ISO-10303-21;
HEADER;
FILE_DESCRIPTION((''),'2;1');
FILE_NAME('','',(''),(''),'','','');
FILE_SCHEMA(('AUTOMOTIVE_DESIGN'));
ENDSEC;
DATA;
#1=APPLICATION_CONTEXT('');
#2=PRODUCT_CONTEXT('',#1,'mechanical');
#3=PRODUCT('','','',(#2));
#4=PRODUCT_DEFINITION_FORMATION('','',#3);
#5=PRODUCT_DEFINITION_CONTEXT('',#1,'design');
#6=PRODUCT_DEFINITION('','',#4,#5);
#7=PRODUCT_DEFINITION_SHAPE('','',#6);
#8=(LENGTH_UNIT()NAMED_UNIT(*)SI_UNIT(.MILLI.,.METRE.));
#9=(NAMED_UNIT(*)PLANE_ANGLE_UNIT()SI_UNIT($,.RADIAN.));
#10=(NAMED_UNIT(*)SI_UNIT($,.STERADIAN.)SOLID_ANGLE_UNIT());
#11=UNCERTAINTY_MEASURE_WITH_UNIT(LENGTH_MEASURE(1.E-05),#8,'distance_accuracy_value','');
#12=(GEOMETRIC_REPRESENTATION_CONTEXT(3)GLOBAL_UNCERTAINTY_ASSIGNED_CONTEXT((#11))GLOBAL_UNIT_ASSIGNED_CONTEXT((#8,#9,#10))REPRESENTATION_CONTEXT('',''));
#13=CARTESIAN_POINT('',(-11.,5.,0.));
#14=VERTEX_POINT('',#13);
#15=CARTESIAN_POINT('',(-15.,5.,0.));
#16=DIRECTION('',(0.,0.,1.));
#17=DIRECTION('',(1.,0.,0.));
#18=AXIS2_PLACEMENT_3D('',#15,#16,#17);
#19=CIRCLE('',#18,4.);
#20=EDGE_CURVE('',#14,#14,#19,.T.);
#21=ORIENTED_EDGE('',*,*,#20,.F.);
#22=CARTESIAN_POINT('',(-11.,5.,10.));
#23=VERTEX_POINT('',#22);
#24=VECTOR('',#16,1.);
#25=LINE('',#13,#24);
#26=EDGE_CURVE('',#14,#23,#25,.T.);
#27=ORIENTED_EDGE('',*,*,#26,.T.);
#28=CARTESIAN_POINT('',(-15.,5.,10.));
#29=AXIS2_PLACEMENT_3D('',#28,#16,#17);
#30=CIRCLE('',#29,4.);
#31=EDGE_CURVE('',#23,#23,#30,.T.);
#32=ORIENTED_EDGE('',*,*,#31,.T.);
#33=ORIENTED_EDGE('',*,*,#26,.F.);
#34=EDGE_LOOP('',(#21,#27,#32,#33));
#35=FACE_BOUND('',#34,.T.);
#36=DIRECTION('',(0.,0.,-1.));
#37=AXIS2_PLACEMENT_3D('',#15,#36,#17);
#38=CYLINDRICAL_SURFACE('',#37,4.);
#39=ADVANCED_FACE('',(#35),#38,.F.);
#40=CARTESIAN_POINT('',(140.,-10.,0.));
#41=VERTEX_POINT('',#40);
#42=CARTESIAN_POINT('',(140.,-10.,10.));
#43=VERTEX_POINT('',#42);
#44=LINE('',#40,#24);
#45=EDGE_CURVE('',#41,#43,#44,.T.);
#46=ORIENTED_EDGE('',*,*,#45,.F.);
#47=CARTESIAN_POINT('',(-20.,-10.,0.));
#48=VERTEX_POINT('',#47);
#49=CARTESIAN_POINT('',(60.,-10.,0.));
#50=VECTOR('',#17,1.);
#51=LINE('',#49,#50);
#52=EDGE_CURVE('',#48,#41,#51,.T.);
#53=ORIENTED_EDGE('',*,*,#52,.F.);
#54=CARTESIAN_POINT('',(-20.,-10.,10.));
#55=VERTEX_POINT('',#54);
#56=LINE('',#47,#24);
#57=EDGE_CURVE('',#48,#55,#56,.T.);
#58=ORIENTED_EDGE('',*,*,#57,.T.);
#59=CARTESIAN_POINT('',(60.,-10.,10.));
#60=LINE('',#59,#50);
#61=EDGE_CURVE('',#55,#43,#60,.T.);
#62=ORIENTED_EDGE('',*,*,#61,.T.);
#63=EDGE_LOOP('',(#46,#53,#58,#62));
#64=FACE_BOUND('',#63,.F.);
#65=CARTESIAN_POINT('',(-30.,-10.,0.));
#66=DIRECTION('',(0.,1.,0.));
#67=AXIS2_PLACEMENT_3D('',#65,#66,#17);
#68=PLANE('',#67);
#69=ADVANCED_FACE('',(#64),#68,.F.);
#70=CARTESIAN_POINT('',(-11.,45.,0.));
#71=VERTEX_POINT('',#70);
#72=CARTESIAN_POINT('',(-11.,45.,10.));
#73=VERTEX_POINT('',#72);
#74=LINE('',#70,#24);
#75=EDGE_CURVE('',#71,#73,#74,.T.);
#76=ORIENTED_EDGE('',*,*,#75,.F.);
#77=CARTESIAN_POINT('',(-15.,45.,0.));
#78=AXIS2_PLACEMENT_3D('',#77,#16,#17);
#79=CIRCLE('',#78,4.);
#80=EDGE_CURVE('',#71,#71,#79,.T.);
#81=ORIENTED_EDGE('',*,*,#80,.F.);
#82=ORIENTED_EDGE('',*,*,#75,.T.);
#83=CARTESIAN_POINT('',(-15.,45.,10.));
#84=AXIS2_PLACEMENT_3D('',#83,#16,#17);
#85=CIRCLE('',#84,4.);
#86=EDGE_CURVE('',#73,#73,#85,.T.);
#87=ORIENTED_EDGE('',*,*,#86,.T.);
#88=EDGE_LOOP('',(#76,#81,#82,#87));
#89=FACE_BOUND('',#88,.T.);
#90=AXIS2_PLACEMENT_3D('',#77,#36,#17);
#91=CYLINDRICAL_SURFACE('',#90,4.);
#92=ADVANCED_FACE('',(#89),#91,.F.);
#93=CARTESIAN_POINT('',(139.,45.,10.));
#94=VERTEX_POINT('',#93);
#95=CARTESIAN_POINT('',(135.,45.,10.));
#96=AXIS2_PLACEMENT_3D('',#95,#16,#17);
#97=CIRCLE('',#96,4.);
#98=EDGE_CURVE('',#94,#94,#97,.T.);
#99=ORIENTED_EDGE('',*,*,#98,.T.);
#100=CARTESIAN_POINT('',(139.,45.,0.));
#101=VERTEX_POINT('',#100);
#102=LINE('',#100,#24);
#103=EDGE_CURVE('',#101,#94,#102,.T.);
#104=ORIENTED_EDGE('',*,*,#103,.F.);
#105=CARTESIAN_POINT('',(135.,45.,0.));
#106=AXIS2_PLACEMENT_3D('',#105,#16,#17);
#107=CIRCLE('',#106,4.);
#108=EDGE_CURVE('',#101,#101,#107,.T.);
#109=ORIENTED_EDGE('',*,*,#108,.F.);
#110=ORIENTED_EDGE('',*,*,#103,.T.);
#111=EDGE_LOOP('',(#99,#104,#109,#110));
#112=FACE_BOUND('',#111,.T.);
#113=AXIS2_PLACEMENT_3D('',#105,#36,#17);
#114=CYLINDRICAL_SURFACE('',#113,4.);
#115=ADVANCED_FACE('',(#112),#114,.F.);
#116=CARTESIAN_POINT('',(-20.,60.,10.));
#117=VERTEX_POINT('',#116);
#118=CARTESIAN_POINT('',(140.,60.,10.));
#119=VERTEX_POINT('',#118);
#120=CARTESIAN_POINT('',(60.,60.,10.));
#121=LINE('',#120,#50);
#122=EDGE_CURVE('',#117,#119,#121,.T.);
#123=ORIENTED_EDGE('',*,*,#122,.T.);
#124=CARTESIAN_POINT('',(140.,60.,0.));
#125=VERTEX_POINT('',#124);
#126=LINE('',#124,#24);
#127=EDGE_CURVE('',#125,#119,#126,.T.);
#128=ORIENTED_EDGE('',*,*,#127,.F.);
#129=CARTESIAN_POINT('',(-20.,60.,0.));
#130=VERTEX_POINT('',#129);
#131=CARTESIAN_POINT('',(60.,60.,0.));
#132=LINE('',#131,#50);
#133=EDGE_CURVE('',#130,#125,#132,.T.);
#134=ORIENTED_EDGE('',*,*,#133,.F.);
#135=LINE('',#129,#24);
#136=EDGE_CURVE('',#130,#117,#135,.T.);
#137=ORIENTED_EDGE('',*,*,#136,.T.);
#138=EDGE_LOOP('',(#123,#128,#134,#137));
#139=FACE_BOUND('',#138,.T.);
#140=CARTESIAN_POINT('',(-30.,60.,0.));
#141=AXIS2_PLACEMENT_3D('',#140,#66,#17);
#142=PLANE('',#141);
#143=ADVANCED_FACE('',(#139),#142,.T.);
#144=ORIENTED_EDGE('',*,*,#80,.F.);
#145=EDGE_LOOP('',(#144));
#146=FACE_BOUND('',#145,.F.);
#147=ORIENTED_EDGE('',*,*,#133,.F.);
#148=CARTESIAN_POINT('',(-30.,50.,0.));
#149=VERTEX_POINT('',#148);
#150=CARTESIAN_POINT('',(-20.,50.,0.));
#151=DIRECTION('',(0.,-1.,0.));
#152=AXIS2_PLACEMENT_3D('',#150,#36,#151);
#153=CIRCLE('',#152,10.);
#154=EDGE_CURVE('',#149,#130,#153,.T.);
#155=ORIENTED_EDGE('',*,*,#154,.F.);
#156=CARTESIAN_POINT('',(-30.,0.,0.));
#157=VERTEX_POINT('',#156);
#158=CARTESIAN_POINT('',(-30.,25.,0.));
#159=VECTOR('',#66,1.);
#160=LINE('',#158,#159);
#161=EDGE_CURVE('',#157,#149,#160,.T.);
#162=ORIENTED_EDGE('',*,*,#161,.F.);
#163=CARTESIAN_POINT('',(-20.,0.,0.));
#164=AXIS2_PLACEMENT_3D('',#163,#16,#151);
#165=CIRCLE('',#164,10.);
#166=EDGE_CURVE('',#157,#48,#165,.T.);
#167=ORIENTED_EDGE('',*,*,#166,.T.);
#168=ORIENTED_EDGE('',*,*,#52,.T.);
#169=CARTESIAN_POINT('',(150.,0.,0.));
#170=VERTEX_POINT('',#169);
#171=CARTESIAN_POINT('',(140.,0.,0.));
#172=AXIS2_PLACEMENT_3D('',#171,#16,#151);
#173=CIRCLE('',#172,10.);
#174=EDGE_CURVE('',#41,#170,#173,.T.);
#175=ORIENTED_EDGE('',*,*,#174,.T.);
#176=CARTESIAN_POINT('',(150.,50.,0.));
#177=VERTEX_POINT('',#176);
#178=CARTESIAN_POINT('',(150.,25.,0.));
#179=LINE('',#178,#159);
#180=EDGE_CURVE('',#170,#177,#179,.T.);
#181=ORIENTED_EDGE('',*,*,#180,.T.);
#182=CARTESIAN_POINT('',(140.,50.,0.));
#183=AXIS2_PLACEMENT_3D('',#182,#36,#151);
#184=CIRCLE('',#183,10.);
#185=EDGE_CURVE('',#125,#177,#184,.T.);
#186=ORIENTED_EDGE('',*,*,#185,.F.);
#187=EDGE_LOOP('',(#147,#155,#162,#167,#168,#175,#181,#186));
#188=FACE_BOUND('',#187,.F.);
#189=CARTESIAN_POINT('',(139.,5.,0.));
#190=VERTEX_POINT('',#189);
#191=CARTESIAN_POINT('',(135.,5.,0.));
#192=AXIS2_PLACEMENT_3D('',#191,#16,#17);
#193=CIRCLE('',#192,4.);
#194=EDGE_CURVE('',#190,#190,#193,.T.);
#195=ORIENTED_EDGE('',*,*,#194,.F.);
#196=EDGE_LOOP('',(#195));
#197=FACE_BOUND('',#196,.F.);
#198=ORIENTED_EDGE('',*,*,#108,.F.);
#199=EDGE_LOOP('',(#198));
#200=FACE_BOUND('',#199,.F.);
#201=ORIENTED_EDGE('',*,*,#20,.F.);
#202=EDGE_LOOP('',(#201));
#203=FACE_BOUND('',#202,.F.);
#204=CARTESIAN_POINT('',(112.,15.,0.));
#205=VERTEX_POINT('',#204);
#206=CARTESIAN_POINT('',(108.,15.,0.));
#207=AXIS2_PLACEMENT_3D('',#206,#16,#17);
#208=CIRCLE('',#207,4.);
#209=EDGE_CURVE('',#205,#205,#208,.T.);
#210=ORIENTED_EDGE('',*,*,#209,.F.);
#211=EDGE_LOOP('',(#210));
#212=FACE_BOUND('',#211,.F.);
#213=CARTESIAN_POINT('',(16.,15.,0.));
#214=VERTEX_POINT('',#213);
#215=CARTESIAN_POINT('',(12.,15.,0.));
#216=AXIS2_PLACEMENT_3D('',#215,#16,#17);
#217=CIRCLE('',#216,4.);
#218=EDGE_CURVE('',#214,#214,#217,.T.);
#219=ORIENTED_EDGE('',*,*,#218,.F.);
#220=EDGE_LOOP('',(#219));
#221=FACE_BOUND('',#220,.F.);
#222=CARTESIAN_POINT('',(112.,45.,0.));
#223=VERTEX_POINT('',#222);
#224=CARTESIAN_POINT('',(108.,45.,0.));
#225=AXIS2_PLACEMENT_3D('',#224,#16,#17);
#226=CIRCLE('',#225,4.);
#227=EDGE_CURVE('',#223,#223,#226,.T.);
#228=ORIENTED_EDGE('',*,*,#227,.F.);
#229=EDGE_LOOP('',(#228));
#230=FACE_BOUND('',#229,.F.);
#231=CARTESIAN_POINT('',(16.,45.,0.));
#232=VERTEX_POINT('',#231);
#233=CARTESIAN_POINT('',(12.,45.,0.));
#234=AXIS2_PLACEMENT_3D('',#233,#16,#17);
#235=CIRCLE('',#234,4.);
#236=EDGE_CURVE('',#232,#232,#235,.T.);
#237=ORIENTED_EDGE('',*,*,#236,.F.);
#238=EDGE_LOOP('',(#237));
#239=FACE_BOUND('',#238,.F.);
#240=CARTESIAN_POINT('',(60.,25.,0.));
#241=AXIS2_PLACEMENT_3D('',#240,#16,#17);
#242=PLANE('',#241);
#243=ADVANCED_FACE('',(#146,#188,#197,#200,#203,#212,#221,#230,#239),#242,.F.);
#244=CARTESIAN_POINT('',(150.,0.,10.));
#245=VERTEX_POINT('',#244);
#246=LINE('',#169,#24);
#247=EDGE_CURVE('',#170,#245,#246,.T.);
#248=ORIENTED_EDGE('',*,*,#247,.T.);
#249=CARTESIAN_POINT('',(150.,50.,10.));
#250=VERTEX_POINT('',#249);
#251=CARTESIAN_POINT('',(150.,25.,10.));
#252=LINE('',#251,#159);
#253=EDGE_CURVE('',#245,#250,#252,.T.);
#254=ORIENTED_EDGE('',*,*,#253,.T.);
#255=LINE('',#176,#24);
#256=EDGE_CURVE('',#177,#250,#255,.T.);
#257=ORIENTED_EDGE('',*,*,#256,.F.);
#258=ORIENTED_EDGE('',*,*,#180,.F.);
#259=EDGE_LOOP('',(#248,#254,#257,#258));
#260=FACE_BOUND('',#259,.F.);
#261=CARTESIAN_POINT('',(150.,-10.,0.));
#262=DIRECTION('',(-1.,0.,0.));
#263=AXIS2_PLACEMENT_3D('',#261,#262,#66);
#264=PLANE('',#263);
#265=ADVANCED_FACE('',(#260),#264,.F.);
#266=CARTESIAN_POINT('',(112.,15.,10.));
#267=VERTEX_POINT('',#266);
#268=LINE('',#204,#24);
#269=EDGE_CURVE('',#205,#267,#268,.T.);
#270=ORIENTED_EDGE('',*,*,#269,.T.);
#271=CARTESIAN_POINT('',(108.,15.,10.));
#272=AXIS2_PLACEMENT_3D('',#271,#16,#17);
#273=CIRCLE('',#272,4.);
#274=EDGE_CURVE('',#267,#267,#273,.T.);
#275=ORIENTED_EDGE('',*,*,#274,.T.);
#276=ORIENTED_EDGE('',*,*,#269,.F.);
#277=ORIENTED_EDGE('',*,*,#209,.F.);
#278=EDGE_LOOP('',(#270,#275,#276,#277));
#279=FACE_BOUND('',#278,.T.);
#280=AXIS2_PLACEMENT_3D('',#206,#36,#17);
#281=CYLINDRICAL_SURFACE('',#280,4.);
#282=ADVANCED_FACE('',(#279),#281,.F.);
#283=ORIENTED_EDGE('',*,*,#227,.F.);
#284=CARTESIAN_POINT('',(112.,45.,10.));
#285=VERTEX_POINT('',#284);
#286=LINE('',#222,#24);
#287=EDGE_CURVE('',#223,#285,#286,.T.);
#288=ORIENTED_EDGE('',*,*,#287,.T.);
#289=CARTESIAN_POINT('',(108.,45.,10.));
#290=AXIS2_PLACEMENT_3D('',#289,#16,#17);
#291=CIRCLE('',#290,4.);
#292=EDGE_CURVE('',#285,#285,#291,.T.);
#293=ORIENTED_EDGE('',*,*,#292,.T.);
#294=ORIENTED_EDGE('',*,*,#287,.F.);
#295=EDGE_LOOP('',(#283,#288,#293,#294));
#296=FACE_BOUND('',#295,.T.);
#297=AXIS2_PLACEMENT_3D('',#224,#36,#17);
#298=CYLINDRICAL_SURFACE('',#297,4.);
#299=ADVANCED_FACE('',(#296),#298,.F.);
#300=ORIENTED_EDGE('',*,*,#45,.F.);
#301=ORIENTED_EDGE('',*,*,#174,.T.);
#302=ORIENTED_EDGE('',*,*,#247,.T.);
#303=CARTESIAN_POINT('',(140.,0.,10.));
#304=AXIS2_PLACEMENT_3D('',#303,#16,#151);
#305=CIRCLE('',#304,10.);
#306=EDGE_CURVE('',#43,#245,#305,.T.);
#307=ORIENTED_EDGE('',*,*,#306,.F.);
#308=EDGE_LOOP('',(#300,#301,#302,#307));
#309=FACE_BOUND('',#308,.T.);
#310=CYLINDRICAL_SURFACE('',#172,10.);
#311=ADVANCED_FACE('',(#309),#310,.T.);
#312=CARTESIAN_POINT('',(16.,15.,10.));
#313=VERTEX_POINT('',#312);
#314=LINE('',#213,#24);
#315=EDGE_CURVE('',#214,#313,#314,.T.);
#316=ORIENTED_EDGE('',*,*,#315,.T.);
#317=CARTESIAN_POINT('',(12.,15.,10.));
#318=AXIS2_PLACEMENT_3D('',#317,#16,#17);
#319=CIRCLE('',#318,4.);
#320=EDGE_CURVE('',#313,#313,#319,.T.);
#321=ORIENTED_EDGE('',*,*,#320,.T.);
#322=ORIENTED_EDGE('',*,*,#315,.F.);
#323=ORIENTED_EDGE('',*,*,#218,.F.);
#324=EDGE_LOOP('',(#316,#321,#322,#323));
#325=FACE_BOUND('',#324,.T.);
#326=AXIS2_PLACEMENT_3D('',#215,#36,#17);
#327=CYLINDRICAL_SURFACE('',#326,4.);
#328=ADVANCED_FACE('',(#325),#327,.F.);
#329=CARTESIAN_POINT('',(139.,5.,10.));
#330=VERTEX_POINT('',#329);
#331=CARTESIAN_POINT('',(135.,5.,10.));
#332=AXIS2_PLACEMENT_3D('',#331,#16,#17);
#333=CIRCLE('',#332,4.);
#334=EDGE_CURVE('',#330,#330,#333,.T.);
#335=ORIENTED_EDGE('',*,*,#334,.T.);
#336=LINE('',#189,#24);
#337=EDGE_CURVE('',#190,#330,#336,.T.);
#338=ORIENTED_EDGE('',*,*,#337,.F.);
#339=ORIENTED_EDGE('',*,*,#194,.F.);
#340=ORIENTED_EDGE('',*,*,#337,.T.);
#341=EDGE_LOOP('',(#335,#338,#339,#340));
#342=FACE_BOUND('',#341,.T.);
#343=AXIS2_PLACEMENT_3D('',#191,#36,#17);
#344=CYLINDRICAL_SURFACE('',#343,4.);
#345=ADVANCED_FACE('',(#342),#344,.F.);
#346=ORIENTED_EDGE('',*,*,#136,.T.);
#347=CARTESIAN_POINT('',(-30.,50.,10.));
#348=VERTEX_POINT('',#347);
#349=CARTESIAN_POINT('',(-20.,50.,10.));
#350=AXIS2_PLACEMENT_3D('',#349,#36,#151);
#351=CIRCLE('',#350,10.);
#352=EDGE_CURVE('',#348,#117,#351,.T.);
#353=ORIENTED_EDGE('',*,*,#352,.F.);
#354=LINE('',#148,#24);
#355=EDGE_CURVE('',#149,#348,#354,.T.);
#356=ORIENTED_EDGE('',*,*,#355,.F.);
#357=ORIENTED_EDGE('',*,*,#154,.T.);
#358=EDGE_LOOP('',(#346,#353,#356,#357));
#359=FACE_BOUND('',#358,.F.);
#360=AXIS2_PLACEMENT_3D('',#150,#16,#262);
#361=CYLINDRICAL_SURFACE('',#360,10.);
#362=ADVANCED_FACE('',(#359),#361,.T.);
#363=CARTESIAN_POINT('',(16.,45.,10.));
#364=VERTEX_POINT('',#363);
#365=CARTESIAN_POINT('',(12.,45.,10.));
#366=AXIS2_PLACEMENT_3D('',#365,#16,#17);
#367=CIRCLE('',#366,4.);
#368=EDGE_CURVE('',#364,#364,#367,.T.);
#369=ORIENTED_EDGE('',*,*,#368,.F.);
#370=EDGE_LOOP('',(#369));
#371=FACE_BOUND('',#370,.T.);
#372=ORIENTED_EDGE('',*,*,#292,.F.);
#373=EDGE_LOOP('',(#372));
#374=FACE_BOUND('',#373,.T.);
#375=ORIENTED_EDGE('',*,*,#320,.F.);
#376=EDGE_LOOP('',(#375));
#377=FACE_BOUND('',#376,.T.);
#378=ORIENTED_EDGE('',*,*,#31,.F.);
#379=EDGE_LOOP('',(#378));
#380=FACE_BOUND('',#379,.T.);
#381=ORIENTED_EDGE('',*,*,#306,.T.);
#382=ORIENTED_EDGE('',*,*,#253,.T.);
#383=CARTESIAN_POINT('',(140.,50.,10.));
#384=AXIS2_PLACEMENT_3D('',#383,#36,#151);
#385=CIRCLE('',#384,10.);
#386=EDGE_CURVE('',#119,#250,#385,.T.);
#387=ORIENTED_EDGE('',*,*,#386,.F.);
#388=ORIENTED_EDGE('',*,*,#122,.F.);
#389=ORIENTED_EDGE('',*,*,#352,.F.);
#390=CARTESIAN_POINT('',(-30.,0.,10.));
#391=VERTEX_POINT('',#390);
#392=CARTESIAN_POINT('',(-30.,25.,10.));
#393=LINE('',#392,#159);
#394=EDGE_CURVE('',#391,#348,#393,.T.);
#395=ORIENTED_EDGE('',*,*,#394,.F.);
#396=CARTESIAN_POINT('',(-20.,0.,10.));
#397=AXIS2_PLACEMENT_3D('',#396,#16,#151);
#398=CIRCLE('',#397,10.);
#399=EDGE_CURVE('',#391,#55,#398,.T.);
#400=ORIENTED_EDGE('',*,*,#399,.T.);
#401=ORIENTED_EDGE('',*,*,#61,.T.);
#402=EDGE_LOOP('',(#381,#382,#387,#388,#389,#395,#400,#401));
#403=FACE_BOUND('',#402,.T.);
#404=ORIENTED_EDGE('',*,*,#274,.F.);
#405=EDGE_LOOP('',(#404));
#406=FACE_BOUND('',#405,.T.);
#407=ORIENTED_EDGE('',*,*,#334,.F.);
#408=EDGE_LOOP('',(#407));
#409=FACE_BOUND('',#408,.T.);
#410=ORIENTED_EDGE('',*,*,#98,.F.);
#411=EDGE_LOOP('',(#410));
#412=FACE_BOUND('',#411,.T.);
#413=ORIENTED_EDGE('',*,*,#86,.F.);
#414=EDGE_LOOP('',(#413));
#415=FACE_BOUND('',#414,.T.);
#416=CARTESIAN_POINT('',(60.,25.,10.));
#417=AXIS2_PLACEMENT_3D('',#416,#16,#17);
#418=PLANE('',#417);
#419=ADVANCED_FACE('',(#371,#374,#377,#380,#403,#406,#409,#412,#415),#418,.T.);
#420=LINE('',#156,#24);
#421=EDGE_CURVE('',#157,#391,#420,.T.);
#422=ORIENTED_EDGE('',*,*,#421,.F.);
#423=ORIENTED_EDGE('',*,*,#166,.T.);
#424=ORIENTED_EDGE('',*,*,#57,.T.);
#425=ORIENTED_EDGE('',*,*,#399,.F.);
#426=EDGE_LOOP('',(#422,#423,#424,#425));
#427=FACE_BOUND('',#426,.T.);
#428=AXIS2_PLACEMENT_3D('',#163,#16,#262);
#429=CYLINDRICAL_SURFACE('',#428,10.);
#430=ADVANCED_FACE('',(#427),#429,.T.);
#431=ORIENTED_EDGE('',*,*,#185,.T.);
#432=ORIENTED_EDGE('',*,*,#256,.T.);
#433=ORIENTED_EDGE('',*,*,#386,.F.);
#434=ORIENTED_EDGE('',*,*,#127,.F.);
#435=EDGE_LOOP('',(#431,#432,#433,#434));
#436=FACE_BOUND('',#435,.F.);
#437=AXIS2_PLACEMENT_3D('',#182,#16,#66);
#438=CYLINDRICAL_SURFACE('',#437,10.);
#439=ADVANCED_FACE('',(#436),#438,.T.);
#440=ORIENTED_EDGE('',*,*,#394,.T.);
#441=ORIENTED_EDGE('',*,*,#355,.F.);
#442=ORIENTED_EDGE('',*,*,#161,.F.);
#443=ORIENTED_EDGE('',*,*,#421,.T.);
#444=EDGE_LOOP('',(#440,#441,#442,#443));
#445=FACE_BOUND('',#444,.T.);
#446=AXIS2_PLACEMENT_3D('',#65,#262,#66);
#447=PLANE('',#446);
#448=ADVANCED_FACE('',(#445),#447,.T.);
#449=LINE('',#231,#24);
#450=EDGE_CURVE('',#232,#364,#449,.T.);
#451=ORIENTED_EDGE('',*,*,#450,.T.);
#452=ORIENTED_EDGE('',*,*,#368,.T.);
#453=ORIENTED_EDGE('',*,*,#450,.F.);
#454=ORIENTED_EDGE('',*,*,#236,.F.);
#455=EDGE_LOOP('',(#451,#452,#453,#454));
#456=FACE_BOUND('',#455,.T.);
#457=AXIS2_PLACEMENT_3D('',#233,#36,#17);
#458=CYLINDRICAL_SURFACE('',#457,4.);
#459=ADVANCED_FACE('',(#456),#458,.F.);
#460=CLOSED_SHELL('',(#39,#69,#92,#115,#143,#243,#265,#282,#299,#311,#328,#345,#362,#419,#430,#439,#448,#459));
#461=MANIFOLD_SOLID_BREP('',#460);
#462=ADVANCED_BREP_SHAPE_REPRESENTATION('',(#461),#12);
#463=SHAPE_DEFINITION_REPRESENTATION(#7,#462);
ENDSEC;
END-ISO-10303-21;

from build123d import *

# Parameters (mm, degrees)
SKETCH_W  = 180
SKETCH_H  = 70
SKETCH_R  = 4
PAD_DEPTH = 10
FILLET_R  = 10


with BuildPart() as part:
    # Sketch → Pad (new body)
    with BuildSketch(Plane.XY):
        with Locations((60, 25)):
            Rectangle(SKETCH_W, SKETCH_H)
        with Locations((-15, 45)):
            Circle(SKETCH_R, mode=Mode.SUBTRACT)
        with Locations((135, 45)):
            Circle(SKETCH_R, mode=Mode.SUBTRACT)
        with Locations((-15, 5)):
            Circle(SKETCH_R, mode=Mode.SUBTRACT)
        with Locations((135, 5)):
            Circle(SKETCH_R, mode=Mode.SUBTRACT)
        with Locations((12, 45)):
            Circle(SKETCH_R, mode=Mode.SUBTRACT)
        with Locations((108, 45)):
            Circle(SKETCH_R, mode=Mode.SUBTRACT)
        with Locations((12, 15)):
            Circle(SKETCH_R, mode=Mode.SUBTRACT)
        with Locations((108, 15)):
            Circle(SKETCH_R, mode=Mode.SUBTRACT)
    extrude(amount=PAD_DEPTH)

    # Fillet
    fillet_edges = [part.edges().sort_by_distance(p)[0] for p in [
        (-30, -10, 5),
        (-30, 60, 5),
        (150, -10, 5),
        (150, 60, 5),
    ]]
    fillet(fillet_edges, radius=FILLET_R)


solid = part.part
